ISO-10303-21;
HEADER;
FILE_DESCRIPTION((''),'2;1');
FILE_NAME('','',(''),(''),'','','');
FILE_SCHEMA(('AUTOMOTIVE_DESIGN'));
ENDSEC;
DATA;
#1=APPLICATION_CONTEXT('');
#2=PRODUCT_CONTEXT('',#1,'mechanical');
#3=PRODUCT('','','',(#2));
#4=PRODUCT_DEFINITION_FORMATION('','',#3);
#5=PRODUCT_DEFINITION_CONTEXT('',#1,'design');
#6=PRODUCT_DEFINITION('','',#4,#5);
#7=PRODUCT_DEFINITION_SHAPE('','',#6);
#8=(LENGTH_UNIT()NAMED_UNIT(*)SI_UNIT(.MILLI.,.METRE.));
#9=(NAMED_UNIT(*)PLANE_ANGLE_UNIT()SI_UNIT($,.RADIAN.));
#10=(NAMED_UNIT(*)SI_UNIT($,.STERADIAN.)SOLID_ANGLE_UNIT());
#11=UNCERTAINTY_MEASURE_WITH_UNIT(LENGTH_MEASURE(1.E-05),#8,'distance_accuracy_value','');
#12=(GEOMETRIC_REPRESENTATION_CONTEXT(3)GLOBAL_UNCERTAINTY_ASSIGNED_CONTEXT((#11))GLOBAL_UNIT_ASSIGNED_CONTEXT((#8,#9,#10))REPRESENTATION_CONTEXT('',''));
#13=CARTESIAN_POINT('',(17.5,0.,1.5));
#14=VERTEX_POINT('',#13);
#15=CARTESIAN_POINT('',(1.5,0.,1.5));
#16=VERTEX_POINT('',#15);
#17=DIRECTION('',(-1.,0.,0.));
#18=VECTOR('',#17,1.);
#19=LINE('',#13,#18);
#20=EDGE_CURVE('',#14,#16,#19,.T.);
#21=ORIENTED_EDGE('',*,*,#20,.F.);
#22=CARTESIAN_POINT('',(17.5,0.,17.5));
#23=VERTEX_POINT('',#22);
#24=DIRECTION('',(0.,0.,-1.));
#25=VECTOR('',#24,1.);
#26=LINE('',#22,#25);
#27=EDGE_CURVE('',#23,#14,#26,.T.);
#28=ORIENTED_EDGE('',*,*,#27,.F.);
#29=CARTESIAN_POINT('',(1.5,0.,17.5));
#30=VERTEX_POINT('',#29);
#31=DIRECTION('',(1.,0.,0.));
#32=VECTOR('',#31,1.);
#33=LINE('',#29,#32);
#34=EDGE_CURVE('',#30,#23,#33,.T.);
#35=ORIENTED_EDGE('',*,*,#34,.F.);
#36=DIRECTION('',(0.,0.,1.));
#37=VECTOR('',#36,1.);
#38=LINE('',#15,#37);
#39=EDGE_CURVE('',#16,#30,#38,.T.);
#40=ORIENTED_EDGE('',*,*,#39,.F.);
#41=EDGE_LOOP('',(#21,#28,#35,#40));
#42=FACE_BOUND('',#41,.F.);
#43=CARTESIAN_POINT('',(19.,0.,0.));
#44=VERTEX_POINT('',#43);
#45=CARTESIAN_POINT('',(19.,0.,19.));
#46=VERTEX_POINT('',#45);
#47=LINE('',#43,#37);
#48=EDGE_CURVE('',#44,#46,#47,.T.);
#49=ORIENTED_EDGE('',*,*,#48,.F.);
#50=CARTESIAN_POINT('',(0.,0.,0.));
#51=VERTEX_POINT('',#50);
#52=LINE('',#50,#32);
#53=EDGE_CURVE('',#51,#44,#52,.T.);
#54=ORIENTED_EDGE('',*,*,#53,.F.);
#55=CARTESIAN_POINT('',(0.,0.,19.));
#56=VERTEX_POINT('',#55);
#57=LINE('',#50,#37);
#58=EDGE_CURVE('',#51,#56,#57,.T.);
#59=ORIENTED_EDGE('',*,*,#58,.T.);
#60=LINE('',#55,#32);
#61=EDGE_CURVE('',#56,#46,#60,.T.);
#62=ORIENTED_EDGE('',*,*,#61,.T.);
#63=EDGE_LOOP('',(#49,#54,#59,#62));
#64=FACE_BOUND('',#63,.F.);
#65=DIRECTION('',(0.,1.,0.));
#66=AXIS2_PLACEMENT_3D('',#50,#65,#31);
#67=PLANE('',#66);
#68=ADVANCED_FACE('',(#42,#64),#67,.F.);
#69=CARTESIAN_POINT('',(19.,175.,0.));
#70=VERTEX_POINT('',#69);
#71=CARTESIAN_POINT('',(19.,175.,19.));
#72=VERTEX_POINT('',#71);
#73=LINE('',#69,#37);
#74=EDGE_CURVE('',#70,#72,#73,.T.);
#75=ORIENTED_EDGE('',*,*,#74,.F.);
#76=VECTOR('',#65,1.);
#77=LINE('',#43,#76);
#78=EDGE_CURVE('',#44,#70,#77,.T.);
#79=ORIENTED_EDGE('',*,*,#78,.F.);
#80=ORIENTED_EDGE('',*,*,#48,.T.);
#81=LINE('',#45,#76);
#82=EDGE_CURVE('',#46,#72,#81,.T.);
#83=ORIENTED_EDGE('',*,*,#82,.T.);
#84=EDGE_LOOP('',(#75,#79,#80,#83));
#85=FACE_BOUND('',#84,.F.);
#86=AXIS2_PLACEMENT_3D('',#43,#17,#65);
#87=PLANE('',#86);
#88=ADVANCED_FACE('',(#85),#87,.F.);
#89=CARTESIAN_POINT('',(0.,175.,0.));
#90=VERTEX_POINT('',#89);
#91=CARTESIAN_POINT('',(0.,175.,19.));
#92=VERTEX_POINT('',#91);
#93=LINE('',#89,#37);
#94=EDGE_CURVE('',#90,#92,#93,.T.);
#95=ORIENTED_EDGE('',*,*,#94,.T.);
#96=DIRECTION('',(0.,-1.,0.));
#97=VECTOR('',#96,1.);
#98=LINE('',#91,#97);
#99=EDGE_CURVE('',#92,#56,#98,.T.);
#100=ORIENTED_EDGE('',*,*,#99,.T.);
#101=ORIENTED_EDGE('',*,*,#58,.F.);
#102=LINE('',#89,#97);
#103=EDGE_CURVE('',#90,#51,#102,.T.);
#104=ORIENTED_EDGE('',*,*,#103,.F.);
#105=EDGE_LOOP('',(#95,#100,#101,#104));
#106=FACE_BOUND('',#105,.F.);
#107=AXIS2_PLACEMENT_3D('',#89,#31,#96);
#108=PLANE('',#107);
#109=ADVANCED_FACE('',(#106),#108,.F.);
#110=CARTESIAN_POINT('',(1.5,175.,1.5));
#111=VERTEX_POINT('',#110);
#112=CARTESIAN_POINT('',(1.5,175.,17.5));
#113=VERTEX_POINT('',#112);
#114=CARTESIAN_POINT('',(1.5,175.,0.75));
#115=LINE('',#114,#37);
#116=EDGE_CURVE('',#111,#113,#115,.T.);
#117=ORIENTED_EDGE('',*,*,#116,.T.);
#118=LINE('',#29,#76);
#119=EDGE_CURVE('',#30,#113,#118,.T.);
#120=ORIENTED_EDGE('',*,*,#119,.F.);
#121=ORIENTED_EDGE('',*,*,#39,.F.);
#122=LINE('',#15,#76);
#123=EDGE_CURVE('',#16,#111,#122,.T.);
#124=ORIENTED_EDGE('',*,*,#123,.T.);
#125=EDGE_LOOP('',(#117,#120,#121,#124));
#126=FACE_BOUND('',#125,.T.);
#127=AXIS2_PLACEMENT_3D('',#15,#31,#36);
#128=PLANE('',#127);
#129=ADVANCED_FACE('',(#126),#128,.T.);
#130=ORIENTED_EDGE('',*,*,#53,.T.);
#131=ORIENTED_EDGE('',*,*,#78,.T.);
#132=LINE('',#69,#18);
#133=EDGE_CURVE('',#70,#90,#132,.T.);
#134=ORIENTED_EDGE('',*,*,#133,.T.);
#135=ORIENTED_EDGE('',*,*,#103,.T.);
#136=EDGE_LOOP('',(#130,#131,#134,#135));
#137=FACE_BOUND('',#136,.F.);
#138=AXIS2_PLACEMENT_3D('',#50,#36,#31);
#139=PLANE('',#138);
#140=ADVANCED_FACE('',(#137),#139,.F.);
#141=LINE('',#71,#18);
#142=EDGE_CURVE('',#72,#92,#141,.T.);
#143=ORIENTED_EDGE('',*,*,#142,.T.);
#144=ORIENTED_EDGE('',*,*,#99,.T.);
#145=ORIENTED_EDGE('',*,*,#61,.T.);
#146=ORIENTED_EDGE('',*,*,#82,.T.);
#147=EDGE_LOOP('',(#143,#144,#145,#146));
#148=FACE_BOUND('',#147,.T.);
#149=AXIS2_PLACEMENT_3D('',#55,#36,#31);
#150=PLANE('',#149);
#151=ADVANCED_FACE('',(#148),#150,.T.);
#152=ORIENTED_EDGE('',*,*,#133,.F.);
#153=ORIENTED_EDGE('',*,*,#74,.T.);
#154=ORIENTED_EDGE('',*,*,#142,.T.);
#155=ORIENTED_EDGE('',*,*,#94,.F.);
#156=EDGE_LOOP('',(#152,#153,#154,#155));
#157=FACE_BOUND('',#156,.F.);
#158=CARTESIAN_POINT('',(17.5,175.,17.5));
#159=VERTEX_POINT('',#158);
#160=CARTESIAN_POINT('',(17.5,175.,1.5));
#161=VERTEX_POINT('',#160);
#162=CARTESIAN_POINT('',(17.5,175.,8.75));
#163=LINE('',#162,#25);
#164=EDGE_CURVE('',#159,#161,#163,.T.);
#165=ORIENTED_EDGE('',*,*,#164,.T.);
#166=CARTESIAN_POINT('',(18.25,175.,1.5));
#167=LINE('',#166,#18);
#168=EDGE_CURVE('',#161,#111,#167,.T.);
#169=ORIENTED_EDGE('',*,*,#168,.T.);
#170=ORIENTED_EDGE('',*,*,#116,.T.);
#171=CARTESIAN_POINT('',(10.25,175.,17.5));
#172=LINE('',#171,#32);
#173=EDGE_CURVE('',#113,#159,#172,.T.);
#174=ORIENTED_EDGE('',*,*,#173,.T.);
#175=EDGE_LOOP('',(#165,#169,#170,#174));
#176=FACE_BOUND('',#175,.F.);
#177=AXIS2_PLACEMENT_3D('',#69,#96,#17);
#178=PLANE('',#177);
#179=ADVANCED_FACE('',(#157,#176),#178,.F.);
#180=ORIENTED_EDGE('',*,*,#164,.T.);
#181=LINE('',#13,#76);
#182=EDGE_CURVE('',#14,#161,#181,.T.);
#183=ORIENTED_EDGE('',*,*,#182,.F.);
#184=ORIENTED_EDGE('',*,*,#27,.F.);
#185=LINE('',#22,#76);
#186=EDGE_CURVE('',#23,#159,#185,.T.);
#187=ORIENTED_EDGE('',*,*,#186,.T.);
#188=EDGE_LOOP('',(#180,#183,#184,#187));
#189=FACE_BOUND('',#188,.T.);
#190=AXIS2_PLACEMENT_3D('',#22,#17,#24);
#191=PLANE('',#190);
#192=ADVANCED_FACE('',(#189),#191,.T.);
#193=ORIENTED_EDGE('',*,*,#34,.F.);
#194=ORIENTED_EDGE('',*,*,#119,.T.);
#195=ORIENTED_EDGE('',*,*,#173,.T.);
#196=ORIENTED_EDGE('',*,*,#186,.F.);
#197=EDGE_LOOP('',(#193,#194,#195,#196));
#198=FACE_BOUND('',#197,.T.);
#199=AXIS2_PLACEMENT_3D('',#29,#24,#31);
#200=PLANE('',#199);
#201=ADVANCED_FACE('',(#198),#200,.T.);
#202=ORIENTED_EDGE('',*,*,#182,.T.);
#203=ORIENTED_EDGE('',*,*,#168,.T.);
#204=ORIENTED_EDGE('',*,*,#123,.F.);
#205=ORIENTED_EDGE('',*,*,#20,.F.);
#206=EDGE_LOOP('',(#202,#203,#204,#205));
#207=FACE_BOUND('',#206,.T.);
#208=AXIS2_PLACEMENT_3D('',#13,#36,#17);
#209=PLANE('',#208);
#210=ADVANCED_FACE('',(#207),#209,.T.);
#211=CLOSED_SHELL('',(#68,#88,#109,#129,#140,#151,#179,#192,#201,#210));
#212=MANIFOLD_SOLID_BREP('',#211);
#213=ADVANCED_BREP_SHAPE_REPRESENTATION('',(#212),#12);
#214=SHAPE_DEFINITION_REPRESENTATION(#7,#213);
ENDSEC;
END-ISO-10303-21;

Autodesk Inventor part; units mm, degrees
ref_plane "YZ Plane" through (0, 0, 0) normal (1, 0, 0) x (0, 1, 0)
ref_plane "XZ Plane" through (0, 0, 0) normal (0, 1, 0) x (-1, 0, 0)
ref_plane "XY Plane" through (0, 0, 0) normal (0, 0, 1) x (1, 0, 0)
sketch "Sketch1" plane through (0, 0, 0) normal (0, 0, 1) x (1, 0, 0)
  line L0 (0, 0) -> (19, 0)
  line L1 (19, 0) -> (19, 175)
  line L2 (19, 175) -> (0, 175)
  line L3 (0, 175) -> (0, 0)
  dimension "d0" = 19
  dimension "d1" = 175
extrude "Extrusion1" add sketch "Sketch1" along normal blind 19
sketch "Sketch2" plane through (0, 0, 0) normal (0, -1, 0) x (1, 0, 0)
  line L0 (0, 0) -> (19, 0) projected
  line L1 (19, 0) -> (19, 19) projected
  line L2 (0, 19) -> (19, 19) projected
  line L3 (0, 0) -> (0, 19) projected
  line L4 (17.5, 17.5) -> (17.5, 1.5)
  line L5 (17.5, 1.5) -> (1.5, 1.5)
  line L6 (1.5, 1.5) -> (1.5, 17.5)
  line L7 (1.5, 17.5) -> (17.5, 17.5)
  dimension "d4" = 1.5
extrude "Extrusion2" cut sketch "Sketch2" against normal through all contours L4 L5 L6 L7
properties part number "C010" material "Aluminum 6061"
